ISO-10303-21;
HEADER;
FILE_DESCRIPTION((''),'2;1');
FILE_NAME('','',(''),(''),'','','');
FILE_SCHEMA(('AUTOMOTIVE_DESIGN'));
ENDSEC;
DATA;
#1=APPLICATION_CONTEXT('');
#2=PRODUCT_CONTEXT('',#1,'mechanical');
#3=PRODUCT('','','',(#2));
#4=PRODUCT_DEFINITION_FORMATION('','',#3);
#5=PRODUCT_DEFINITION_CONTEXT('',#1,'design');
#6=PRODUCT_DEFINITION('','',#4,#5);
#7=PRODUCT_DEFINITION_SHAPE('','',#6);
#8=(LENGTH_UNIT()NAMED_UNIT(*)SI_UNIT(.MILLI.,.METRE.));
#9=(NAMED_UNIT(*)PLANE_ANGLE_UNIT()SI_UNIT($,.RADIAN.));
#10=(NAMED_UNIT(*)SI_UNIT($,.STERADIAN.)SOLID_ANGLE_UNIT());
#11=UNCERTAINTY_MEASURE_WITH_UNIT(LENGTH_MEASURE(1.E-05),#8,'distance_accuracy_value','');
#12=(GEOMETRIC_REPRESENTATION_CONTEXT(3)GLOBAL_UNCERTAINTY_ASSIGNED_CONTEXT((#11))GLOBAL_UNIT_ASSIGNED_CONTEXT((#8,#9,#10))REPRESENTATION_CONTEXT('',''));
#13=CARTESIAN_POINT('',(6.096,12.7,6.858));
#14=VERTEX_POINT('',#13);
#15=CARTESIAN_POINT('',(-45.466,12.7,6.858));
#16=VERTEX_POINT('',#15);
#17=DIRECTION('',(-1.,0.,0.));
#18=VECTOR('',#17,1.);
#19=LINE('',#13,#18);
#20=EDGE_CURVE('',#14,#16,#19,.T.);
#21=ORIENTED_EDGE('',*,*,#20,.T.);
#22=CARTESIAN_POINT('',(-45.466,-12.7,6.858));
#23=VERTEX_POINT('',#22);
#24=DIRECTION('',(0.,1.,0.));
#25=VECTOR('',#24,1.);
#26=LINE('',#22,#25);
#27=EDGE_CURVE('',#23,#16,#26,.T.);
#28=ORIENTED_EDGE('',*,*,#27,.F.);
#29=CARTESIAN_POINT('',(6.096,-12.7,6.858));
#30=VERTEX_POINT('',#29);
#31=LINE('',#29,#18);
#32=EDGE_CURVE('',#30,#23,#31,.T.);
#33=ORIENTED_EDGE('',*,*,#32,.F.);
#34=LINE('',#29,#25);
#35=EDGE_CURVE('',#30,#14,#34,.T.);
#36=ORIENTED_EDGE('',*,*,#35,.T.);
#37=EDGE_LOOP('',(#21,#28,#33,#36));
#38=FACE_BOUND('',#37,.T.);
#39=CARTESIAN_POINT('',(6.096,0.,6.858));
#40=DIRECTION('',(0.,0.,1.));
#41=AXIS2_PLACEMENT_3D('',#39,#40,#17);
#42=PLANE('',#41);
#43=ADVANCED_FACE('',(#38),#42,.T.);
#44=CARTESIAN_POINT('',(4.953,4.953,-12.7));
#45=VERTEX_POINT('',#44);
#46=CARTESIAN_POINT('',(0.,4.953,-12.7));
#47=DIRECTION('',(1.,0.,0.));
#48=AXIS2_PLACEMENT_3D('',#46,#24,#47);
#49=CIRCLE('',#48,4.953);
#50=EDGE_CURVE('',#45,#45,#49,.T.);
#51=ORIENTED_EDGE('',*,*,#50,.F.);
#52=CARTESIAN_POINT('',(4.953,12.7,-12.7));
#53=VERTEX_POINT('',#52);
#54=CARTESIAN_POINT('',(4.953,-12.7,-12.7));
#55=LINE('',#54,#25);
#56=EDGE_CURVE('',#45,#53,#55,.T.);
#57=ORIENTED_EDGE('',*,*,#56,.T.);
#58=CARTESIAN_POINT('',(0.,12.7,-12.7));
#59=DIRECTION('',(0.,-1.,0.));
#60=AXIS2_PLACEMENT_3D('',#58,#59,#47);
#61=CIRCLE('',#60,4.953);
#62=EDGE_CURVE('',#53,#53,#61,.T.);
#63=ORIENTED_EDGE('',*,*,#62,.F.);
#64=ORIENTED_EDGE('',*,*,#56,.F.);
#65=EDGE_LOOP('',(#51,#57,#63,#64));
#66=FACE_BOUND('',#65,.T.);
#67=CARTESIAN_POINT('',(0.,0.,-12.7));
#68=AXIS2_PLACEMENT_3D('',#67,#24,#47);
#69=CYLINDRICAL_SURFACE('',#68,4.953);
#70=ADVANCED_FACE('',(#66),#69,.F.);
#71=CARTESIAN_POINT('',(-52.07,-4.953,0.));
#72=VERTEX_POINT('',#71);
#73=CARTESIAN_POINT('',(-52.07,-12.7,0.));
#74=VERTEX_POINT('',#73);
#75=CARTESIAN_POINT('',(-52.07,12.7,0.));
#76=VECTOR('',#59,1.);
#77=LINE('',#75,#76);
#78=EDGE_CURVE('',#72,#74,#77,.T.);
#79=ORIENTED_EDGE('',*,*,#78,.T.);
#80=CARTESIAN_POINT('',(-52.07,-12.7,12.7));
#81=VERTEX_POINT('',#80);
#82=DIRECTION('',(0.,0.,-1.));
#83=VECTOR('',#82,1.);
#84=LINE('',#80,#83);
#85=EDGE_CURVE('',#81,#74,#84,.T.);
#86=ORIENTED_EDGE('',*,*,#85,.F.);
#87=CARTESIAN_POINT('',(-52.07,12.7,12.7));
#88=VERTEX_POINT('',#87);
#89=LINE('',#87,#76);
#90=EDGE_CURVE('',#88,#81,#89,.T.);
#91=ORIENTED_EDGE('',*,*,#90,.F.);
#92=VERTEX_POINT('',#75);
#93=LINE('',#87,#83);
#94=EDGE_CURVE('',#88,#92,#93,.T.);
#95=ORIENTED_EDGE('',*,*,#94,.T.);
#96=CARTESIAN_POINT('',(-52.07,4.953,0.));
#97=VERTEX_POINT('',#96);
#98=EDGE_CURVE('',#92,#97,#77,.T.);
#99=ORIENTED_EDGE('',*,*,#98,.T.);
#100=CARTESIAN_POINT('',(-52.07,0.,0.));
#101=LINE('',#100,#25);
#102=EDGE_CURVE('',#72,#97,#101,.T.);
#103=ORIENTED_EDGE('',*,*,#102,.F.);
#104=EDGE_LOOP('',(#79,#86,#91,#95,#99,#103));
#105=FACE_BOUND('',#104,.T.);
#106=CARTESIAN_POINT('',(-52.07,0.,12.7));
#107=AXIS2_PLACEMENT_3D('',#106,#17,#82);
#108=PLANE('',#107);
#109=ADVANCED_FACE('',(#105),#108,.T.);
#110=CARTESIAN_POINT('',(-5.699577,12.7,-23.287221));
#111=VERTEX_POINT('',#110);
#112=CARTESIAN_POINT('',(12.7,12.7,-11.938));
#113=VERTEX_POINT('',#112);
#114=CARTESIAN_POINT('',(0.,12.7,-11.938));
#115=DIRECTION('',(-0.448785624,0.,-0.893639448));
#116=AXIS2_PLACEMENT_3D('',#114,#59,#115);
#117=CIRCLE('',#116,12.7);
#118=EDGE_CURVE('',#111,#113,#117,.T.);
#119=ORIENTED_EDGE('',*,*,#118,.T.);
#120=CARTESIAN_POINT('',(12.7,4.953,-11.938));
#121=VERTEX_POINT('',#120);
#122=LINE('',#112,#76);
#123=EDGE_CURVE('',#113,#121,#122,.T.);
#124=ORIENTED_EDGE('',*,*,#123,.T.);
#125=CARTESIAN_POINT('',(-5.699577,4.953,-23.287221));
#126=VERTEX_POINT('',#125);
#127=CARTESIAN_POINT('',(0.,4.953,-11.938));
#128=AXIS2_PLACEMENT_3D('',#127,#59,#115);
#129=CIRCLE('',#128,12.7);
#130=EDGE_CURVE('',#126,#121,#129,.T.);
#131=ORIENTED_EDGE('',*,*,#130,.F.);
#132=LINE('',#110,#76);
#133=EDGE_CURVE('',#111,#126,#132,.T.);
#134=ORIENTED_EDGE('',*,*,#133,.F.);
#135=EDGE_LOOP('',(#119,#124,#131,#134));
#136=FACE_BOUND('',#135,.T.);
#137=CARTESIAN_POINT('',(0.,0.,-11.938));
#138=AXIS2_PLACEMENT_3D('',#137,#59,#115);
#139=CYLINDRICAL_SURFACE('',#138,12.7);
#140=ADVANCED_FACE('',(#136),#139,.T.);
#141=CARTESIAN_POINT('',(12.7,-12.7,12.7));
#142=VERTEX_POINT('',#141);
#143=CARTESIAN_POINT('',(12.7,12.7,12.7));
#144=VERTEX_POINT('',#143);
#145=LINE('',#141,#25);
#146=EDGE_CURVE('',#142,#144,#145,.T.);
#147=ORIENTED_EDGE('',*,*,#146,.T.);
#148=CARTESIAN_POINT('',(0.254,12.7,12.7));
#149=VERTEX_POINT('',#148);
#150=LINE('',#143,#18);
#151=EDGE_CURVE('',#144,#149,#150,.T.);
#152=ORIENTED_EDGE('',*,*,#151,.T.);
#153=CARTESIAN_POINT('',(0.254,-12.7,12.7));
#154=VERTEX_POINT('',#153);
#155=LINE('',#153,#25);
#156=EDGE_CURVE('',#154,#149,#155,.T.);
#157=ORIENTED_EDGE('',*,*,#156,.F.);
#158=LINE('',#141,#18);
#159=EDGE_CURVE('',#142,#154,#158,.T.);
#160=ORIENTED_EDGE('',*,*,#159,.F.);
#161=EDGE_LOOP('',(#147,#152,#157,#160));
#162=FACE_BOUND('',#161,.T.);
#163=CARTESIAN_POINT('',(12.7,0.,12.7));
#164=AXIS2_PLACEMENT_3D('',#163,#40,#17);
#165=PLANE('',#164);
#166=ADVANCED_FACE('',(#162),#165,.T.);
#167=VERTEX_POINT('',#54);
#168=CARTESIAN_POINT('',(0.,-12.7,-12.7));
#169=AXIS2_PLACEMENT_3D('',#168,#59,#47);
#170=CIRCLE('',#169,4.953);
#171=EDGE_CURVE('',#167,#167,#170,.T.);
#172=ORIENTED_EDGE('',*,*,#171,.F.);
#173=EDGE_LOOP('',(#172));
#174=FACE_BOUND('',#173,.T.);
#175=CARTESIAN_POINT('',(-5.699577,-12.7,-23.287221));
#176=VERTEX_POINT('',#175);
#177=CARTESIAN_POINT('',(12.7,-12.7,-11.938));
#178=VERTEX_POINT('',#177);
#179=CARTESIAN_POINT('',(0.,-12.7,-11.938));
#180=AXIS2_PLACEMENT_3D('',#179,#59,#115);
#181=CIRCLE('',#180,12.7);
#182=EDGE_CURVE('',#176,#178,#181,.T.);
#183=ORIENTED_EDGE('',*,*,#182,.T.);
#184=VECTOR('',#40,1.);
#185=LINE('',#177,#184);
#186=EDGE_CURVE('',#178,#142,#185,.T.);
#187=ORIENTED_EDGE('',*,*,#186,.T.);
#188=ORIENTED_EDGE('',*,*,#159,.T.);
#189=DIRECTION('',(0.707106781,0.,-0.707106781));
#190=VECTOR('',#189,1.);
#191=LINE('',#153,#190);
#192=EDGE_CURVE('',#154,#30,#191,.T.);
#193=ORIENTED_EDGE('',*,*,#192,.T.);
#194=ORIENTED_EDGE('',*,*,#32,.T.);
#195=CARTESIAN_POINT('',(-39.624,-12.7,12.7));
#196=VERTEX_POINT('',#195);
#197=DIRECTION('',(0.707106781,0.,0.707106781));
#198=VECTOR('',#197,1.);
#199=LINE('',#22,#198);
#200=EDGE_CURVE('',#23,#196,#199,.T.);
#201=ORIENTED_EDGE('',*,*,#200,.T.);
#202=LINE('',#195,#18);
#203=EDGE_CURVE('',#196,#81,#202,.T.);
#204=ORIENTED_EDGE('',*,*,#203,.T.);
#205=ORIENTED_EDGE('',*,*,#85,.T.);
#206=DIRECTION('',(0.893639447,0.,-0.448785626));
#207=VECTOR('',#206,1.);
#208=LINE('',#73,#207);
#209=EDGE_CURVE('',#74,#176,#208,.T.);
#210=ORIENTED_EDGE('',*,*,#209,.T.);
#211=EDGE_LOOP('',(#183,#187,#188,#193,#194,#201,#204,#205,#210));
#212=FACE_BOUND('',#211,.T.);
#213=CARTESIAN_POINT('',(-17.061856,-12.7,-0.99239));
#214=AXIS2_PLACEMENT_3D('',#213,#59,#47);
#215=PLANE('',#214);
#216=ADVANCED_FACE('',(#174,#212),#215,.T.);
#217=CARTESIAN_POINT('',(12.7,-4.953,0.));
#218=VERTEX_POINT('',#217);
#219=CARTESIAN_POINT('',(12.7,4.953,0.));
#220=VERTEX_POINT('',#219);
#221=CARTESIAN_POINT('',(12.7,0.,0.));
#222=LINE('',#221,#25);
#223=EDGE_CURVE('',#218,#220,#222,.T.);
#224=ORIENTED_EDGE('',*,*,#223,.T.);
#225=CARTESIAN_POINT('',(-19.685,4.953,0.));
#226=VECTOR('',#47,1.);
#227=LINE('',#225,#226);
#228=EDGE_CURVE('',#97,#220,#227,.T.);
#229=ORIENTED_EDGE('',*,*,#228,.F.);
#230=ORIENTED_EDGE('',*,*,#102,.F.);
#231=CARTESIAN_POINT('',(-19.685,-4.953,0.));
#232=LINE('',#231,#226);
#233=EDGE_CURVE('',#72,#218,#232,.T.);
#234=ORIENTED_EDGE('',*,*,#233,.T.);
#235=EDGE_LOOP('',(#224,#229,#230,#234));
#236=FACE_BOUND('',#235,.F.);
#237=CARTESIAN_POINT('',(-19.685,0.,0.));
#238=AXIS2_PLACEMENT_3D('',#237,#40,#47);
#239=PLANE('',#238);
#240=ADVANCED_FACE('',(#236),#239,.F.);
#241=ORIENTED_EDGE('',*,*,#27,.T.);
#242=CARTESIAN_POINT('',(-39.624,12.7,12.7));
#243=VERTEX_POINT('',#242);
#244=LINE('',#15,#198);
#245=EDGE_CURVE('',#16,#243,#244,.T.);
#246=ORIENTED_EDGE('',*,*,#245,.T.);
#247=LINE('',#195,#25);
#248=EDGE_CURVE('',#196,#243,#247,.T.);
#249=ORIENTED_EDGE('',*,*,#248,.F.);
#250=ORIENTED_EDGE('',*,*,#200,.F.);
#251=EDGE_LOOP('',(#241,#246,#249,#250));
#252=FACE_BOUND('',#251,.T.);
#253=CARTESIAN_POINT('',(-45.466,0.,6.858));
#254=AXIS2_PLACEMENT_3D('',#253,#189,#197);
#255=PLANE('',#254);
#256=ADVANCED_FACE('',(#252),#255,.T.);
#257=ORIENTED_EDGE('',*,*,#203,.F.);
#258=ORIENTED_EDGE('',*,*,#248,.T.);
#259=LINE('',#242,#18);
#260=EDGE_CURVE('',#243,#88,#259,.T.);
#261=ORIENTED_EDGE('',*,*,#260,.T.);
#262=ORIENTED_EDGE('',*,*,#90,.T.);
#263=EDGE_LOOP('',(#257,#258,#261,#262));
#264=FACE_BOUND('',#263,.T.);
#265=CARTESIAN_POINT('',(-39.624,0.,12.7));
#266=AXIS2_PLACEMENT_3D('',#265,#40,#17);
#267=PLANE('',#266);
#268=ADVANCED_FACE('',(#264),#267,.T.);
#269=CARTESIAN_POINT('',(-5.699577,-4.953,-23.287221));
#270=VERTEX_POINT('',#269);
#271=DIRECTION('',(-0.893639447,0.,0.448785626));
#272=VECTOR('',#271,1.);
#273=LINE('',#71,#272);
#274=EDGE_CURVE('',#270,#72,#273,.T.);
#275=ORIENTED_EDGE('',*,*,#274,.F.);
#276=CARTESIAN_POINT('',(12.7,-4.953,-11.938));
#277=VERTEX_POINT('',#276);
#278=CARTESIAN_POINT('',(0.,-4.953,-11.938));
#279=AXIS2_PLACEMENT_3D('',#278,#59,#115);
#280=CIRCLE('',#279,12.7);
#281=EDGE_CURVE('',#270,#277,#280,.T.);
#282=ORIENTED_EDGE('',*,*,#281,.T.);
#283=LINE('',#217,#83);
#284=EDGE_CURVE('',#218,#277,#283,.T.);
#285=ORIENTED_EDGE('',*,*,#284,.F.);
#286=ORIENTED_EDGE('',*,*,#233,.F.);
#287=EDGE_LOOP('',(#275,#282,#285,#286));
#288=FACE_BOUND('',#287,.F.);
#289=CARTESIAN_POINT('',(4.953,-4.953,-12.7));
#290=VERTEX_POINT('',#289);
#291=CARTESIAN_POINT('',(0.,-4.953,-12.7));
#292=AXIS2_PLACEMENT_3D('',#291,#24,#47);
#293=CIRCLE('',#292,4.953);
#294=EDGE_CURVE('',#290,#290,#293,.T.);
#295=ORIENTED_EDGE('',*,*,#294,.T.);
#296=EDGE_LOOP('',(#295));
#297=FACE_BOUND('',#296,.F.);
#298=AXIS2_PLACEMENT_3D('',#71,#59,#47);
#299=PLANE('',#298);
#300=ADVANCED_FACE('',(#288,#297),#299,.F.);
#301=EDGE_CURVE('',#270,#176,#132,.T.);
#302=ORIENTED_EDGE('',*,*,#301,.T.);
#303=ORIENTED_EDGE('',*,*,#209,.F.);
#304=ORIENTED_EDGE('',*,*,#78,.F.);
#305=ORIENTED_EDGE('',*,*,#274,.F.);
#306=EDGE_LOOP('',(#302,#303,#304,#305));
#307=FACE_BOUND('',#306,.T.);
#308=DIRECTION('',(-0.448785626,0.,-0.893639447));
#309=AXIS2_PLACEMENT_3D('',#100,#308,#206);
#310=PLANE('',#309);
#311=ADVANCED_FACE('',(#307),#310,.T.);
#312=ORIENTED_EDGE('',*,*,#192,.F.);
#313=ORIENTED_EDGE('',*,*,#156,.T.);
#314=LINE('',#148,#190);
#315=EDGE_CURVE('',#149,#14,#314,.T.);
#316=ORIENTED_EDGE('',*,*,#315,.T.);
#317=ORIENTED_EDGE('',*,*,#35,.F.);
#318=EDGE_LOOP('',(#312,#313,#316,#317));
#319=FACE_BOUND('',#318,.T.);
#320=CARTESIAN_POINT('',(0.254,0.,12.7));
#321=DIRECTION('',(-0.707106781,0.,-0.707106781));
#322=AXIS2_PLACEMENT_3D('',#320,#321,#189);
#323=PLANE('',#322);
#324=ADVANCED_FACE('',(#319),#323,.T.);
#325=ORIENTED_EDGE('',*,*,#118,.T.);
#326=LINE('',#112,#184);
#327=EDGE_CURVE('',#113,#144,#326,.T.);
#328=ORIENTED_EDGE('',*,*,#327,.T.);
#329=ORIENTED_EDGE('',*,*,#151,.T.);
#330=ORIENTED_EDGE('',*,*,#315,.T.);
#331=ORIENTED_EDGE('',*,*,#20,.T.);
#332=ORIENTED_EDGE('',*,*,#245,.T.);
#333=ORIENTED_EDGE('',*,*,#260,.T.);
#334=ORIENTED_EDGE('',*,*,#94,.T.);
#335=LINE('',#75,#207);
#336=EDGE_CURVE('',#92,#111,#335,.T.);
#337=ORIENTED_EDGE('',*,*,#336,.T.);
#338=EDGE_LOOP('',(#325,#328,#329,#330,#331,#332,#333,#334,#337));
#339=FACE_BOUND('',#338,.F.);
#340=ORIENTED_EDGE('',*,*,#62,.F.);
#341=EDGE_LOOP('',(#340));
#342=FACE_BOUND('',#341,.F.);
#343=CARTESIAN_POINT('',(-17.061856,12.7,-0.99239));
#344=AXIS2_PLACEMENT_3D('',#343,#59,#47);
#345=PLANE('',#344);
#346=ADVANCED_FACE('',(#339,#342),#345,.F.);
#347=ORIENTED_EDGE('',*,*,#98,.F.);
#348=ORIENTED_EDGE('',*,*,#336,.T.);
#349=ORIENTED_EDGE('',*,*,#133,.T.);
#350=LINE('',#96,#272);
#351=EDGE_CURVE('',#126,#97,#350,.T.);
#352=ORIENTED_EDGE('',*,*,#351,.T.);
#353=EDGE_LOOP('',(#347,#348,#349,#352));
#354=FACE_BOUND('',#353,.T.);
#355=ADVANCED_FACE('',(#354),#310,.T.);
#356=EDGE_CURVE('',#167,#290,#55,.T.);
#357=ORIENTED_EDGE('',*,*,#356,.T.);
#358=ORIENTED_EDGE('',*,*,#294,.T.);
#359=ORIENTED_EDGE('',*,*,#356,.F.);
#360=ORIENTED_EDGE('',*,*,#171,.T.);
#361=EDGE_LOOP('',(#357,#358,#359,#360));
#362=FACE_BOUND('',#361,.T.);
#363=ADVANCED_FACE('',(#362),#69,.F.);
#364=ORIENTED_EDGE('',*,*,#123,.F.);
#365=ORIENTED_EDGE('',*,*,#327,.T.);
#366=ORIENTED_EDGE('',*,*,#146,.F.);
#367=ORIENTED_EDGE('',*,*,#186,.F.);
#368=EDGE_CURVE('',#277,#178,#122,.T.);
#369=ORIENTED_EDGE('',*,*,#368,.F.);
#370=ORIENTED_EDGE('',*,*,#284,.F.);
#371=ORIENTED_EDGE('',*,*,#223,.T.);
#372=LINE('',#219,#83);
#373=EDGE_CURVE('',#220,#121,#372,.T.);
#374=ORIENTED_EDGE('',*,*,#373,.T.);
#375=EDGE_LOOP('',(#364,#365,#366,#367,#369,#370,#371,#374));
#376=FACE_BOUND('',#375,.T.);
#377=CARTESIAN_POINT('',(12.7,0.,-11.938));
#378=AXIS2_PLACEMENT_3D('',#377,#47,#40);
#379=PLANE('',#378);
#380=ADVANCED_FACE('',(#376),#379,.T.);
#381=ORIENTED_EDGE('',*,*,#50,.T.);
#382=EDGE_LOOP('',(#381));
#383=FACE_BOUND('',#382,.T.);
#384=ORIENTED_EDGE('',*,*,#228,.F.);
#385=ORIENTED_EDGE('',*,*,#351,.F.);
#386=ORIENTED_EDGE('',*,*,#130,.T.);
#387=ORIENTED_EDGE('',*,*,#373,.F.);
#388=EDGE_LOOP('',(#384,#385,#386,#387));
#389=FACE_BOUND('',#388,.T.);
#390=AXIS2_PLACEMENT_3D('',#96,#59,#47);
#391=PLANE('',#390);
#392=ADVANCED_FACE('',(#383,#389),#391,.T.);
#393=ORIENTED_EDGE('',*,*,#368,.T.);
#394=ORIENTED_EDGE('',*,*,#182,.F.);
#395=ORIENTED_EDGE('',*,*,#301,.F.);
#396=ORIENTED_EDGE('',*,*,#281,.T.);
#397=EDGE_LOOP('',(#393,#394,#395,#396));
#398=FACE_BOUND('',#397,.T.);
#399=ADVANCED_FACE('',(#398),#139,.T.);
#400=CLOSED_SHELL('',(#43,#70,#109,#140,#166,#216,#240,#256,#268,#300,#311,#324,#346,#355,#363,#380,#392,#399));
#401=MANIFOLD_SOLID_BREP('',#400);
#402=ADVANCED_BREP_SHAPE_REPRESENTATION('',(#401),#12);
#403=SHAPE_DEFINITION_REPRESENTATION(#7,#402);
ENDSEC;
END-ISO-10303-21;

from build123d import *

# Parameters (mm, degrees)
F0_R     = 4.953
F1_DEPTH = 12.7
F2_W     = 64.77
F2_H     = 9.906
F3_DEPTH = 24.639


with BuildPart() as f1:
    # F0 (on Front) → F1 (new body, symmetric)
    with BuildSketch(Plane.XZ):
        with BuildLine():
            Line((-39.624, 12.7), (-52.07, 12.7))
            Line((-52.07, 12.7), (-52.07, 0))
            Line((-52.07, 0), (-5.699577, -23.287221))
            ThreePointArc((-5.699577, -23.287221), (6.667285, -22.747131), (12.7, -11.938))
            Line((12.7, -11.938), (12.7, 0))
            Line((12.7, 0), (12.7, 12.7))
            Line((12.7, 12.7), (0.254, 12.7))
            Line((0.254, 12.7), (6.096, 6.858))
            Line((6.096, 6.858), (-45.466, 6.858))
            Line((-45.466, 6.858), (-39.624, 12.7))
        make_face()
        with Locations((0, -12.7)):
            Circle(F0_R, mode=Mode.SUBTRACT)
    extrude(amount=F1_DEPTH, both=True)

    # F2 (on Top) → F3 (cut, through all)
    with BuildSketch(Plane.XY):
        with Locations((-19.685, 0)):
            Rectangle(F2_W, F2_H)
    extrude(amount=-F3_DEPTH, mode=Mode.SUBTRACT)


solid = f1.part
